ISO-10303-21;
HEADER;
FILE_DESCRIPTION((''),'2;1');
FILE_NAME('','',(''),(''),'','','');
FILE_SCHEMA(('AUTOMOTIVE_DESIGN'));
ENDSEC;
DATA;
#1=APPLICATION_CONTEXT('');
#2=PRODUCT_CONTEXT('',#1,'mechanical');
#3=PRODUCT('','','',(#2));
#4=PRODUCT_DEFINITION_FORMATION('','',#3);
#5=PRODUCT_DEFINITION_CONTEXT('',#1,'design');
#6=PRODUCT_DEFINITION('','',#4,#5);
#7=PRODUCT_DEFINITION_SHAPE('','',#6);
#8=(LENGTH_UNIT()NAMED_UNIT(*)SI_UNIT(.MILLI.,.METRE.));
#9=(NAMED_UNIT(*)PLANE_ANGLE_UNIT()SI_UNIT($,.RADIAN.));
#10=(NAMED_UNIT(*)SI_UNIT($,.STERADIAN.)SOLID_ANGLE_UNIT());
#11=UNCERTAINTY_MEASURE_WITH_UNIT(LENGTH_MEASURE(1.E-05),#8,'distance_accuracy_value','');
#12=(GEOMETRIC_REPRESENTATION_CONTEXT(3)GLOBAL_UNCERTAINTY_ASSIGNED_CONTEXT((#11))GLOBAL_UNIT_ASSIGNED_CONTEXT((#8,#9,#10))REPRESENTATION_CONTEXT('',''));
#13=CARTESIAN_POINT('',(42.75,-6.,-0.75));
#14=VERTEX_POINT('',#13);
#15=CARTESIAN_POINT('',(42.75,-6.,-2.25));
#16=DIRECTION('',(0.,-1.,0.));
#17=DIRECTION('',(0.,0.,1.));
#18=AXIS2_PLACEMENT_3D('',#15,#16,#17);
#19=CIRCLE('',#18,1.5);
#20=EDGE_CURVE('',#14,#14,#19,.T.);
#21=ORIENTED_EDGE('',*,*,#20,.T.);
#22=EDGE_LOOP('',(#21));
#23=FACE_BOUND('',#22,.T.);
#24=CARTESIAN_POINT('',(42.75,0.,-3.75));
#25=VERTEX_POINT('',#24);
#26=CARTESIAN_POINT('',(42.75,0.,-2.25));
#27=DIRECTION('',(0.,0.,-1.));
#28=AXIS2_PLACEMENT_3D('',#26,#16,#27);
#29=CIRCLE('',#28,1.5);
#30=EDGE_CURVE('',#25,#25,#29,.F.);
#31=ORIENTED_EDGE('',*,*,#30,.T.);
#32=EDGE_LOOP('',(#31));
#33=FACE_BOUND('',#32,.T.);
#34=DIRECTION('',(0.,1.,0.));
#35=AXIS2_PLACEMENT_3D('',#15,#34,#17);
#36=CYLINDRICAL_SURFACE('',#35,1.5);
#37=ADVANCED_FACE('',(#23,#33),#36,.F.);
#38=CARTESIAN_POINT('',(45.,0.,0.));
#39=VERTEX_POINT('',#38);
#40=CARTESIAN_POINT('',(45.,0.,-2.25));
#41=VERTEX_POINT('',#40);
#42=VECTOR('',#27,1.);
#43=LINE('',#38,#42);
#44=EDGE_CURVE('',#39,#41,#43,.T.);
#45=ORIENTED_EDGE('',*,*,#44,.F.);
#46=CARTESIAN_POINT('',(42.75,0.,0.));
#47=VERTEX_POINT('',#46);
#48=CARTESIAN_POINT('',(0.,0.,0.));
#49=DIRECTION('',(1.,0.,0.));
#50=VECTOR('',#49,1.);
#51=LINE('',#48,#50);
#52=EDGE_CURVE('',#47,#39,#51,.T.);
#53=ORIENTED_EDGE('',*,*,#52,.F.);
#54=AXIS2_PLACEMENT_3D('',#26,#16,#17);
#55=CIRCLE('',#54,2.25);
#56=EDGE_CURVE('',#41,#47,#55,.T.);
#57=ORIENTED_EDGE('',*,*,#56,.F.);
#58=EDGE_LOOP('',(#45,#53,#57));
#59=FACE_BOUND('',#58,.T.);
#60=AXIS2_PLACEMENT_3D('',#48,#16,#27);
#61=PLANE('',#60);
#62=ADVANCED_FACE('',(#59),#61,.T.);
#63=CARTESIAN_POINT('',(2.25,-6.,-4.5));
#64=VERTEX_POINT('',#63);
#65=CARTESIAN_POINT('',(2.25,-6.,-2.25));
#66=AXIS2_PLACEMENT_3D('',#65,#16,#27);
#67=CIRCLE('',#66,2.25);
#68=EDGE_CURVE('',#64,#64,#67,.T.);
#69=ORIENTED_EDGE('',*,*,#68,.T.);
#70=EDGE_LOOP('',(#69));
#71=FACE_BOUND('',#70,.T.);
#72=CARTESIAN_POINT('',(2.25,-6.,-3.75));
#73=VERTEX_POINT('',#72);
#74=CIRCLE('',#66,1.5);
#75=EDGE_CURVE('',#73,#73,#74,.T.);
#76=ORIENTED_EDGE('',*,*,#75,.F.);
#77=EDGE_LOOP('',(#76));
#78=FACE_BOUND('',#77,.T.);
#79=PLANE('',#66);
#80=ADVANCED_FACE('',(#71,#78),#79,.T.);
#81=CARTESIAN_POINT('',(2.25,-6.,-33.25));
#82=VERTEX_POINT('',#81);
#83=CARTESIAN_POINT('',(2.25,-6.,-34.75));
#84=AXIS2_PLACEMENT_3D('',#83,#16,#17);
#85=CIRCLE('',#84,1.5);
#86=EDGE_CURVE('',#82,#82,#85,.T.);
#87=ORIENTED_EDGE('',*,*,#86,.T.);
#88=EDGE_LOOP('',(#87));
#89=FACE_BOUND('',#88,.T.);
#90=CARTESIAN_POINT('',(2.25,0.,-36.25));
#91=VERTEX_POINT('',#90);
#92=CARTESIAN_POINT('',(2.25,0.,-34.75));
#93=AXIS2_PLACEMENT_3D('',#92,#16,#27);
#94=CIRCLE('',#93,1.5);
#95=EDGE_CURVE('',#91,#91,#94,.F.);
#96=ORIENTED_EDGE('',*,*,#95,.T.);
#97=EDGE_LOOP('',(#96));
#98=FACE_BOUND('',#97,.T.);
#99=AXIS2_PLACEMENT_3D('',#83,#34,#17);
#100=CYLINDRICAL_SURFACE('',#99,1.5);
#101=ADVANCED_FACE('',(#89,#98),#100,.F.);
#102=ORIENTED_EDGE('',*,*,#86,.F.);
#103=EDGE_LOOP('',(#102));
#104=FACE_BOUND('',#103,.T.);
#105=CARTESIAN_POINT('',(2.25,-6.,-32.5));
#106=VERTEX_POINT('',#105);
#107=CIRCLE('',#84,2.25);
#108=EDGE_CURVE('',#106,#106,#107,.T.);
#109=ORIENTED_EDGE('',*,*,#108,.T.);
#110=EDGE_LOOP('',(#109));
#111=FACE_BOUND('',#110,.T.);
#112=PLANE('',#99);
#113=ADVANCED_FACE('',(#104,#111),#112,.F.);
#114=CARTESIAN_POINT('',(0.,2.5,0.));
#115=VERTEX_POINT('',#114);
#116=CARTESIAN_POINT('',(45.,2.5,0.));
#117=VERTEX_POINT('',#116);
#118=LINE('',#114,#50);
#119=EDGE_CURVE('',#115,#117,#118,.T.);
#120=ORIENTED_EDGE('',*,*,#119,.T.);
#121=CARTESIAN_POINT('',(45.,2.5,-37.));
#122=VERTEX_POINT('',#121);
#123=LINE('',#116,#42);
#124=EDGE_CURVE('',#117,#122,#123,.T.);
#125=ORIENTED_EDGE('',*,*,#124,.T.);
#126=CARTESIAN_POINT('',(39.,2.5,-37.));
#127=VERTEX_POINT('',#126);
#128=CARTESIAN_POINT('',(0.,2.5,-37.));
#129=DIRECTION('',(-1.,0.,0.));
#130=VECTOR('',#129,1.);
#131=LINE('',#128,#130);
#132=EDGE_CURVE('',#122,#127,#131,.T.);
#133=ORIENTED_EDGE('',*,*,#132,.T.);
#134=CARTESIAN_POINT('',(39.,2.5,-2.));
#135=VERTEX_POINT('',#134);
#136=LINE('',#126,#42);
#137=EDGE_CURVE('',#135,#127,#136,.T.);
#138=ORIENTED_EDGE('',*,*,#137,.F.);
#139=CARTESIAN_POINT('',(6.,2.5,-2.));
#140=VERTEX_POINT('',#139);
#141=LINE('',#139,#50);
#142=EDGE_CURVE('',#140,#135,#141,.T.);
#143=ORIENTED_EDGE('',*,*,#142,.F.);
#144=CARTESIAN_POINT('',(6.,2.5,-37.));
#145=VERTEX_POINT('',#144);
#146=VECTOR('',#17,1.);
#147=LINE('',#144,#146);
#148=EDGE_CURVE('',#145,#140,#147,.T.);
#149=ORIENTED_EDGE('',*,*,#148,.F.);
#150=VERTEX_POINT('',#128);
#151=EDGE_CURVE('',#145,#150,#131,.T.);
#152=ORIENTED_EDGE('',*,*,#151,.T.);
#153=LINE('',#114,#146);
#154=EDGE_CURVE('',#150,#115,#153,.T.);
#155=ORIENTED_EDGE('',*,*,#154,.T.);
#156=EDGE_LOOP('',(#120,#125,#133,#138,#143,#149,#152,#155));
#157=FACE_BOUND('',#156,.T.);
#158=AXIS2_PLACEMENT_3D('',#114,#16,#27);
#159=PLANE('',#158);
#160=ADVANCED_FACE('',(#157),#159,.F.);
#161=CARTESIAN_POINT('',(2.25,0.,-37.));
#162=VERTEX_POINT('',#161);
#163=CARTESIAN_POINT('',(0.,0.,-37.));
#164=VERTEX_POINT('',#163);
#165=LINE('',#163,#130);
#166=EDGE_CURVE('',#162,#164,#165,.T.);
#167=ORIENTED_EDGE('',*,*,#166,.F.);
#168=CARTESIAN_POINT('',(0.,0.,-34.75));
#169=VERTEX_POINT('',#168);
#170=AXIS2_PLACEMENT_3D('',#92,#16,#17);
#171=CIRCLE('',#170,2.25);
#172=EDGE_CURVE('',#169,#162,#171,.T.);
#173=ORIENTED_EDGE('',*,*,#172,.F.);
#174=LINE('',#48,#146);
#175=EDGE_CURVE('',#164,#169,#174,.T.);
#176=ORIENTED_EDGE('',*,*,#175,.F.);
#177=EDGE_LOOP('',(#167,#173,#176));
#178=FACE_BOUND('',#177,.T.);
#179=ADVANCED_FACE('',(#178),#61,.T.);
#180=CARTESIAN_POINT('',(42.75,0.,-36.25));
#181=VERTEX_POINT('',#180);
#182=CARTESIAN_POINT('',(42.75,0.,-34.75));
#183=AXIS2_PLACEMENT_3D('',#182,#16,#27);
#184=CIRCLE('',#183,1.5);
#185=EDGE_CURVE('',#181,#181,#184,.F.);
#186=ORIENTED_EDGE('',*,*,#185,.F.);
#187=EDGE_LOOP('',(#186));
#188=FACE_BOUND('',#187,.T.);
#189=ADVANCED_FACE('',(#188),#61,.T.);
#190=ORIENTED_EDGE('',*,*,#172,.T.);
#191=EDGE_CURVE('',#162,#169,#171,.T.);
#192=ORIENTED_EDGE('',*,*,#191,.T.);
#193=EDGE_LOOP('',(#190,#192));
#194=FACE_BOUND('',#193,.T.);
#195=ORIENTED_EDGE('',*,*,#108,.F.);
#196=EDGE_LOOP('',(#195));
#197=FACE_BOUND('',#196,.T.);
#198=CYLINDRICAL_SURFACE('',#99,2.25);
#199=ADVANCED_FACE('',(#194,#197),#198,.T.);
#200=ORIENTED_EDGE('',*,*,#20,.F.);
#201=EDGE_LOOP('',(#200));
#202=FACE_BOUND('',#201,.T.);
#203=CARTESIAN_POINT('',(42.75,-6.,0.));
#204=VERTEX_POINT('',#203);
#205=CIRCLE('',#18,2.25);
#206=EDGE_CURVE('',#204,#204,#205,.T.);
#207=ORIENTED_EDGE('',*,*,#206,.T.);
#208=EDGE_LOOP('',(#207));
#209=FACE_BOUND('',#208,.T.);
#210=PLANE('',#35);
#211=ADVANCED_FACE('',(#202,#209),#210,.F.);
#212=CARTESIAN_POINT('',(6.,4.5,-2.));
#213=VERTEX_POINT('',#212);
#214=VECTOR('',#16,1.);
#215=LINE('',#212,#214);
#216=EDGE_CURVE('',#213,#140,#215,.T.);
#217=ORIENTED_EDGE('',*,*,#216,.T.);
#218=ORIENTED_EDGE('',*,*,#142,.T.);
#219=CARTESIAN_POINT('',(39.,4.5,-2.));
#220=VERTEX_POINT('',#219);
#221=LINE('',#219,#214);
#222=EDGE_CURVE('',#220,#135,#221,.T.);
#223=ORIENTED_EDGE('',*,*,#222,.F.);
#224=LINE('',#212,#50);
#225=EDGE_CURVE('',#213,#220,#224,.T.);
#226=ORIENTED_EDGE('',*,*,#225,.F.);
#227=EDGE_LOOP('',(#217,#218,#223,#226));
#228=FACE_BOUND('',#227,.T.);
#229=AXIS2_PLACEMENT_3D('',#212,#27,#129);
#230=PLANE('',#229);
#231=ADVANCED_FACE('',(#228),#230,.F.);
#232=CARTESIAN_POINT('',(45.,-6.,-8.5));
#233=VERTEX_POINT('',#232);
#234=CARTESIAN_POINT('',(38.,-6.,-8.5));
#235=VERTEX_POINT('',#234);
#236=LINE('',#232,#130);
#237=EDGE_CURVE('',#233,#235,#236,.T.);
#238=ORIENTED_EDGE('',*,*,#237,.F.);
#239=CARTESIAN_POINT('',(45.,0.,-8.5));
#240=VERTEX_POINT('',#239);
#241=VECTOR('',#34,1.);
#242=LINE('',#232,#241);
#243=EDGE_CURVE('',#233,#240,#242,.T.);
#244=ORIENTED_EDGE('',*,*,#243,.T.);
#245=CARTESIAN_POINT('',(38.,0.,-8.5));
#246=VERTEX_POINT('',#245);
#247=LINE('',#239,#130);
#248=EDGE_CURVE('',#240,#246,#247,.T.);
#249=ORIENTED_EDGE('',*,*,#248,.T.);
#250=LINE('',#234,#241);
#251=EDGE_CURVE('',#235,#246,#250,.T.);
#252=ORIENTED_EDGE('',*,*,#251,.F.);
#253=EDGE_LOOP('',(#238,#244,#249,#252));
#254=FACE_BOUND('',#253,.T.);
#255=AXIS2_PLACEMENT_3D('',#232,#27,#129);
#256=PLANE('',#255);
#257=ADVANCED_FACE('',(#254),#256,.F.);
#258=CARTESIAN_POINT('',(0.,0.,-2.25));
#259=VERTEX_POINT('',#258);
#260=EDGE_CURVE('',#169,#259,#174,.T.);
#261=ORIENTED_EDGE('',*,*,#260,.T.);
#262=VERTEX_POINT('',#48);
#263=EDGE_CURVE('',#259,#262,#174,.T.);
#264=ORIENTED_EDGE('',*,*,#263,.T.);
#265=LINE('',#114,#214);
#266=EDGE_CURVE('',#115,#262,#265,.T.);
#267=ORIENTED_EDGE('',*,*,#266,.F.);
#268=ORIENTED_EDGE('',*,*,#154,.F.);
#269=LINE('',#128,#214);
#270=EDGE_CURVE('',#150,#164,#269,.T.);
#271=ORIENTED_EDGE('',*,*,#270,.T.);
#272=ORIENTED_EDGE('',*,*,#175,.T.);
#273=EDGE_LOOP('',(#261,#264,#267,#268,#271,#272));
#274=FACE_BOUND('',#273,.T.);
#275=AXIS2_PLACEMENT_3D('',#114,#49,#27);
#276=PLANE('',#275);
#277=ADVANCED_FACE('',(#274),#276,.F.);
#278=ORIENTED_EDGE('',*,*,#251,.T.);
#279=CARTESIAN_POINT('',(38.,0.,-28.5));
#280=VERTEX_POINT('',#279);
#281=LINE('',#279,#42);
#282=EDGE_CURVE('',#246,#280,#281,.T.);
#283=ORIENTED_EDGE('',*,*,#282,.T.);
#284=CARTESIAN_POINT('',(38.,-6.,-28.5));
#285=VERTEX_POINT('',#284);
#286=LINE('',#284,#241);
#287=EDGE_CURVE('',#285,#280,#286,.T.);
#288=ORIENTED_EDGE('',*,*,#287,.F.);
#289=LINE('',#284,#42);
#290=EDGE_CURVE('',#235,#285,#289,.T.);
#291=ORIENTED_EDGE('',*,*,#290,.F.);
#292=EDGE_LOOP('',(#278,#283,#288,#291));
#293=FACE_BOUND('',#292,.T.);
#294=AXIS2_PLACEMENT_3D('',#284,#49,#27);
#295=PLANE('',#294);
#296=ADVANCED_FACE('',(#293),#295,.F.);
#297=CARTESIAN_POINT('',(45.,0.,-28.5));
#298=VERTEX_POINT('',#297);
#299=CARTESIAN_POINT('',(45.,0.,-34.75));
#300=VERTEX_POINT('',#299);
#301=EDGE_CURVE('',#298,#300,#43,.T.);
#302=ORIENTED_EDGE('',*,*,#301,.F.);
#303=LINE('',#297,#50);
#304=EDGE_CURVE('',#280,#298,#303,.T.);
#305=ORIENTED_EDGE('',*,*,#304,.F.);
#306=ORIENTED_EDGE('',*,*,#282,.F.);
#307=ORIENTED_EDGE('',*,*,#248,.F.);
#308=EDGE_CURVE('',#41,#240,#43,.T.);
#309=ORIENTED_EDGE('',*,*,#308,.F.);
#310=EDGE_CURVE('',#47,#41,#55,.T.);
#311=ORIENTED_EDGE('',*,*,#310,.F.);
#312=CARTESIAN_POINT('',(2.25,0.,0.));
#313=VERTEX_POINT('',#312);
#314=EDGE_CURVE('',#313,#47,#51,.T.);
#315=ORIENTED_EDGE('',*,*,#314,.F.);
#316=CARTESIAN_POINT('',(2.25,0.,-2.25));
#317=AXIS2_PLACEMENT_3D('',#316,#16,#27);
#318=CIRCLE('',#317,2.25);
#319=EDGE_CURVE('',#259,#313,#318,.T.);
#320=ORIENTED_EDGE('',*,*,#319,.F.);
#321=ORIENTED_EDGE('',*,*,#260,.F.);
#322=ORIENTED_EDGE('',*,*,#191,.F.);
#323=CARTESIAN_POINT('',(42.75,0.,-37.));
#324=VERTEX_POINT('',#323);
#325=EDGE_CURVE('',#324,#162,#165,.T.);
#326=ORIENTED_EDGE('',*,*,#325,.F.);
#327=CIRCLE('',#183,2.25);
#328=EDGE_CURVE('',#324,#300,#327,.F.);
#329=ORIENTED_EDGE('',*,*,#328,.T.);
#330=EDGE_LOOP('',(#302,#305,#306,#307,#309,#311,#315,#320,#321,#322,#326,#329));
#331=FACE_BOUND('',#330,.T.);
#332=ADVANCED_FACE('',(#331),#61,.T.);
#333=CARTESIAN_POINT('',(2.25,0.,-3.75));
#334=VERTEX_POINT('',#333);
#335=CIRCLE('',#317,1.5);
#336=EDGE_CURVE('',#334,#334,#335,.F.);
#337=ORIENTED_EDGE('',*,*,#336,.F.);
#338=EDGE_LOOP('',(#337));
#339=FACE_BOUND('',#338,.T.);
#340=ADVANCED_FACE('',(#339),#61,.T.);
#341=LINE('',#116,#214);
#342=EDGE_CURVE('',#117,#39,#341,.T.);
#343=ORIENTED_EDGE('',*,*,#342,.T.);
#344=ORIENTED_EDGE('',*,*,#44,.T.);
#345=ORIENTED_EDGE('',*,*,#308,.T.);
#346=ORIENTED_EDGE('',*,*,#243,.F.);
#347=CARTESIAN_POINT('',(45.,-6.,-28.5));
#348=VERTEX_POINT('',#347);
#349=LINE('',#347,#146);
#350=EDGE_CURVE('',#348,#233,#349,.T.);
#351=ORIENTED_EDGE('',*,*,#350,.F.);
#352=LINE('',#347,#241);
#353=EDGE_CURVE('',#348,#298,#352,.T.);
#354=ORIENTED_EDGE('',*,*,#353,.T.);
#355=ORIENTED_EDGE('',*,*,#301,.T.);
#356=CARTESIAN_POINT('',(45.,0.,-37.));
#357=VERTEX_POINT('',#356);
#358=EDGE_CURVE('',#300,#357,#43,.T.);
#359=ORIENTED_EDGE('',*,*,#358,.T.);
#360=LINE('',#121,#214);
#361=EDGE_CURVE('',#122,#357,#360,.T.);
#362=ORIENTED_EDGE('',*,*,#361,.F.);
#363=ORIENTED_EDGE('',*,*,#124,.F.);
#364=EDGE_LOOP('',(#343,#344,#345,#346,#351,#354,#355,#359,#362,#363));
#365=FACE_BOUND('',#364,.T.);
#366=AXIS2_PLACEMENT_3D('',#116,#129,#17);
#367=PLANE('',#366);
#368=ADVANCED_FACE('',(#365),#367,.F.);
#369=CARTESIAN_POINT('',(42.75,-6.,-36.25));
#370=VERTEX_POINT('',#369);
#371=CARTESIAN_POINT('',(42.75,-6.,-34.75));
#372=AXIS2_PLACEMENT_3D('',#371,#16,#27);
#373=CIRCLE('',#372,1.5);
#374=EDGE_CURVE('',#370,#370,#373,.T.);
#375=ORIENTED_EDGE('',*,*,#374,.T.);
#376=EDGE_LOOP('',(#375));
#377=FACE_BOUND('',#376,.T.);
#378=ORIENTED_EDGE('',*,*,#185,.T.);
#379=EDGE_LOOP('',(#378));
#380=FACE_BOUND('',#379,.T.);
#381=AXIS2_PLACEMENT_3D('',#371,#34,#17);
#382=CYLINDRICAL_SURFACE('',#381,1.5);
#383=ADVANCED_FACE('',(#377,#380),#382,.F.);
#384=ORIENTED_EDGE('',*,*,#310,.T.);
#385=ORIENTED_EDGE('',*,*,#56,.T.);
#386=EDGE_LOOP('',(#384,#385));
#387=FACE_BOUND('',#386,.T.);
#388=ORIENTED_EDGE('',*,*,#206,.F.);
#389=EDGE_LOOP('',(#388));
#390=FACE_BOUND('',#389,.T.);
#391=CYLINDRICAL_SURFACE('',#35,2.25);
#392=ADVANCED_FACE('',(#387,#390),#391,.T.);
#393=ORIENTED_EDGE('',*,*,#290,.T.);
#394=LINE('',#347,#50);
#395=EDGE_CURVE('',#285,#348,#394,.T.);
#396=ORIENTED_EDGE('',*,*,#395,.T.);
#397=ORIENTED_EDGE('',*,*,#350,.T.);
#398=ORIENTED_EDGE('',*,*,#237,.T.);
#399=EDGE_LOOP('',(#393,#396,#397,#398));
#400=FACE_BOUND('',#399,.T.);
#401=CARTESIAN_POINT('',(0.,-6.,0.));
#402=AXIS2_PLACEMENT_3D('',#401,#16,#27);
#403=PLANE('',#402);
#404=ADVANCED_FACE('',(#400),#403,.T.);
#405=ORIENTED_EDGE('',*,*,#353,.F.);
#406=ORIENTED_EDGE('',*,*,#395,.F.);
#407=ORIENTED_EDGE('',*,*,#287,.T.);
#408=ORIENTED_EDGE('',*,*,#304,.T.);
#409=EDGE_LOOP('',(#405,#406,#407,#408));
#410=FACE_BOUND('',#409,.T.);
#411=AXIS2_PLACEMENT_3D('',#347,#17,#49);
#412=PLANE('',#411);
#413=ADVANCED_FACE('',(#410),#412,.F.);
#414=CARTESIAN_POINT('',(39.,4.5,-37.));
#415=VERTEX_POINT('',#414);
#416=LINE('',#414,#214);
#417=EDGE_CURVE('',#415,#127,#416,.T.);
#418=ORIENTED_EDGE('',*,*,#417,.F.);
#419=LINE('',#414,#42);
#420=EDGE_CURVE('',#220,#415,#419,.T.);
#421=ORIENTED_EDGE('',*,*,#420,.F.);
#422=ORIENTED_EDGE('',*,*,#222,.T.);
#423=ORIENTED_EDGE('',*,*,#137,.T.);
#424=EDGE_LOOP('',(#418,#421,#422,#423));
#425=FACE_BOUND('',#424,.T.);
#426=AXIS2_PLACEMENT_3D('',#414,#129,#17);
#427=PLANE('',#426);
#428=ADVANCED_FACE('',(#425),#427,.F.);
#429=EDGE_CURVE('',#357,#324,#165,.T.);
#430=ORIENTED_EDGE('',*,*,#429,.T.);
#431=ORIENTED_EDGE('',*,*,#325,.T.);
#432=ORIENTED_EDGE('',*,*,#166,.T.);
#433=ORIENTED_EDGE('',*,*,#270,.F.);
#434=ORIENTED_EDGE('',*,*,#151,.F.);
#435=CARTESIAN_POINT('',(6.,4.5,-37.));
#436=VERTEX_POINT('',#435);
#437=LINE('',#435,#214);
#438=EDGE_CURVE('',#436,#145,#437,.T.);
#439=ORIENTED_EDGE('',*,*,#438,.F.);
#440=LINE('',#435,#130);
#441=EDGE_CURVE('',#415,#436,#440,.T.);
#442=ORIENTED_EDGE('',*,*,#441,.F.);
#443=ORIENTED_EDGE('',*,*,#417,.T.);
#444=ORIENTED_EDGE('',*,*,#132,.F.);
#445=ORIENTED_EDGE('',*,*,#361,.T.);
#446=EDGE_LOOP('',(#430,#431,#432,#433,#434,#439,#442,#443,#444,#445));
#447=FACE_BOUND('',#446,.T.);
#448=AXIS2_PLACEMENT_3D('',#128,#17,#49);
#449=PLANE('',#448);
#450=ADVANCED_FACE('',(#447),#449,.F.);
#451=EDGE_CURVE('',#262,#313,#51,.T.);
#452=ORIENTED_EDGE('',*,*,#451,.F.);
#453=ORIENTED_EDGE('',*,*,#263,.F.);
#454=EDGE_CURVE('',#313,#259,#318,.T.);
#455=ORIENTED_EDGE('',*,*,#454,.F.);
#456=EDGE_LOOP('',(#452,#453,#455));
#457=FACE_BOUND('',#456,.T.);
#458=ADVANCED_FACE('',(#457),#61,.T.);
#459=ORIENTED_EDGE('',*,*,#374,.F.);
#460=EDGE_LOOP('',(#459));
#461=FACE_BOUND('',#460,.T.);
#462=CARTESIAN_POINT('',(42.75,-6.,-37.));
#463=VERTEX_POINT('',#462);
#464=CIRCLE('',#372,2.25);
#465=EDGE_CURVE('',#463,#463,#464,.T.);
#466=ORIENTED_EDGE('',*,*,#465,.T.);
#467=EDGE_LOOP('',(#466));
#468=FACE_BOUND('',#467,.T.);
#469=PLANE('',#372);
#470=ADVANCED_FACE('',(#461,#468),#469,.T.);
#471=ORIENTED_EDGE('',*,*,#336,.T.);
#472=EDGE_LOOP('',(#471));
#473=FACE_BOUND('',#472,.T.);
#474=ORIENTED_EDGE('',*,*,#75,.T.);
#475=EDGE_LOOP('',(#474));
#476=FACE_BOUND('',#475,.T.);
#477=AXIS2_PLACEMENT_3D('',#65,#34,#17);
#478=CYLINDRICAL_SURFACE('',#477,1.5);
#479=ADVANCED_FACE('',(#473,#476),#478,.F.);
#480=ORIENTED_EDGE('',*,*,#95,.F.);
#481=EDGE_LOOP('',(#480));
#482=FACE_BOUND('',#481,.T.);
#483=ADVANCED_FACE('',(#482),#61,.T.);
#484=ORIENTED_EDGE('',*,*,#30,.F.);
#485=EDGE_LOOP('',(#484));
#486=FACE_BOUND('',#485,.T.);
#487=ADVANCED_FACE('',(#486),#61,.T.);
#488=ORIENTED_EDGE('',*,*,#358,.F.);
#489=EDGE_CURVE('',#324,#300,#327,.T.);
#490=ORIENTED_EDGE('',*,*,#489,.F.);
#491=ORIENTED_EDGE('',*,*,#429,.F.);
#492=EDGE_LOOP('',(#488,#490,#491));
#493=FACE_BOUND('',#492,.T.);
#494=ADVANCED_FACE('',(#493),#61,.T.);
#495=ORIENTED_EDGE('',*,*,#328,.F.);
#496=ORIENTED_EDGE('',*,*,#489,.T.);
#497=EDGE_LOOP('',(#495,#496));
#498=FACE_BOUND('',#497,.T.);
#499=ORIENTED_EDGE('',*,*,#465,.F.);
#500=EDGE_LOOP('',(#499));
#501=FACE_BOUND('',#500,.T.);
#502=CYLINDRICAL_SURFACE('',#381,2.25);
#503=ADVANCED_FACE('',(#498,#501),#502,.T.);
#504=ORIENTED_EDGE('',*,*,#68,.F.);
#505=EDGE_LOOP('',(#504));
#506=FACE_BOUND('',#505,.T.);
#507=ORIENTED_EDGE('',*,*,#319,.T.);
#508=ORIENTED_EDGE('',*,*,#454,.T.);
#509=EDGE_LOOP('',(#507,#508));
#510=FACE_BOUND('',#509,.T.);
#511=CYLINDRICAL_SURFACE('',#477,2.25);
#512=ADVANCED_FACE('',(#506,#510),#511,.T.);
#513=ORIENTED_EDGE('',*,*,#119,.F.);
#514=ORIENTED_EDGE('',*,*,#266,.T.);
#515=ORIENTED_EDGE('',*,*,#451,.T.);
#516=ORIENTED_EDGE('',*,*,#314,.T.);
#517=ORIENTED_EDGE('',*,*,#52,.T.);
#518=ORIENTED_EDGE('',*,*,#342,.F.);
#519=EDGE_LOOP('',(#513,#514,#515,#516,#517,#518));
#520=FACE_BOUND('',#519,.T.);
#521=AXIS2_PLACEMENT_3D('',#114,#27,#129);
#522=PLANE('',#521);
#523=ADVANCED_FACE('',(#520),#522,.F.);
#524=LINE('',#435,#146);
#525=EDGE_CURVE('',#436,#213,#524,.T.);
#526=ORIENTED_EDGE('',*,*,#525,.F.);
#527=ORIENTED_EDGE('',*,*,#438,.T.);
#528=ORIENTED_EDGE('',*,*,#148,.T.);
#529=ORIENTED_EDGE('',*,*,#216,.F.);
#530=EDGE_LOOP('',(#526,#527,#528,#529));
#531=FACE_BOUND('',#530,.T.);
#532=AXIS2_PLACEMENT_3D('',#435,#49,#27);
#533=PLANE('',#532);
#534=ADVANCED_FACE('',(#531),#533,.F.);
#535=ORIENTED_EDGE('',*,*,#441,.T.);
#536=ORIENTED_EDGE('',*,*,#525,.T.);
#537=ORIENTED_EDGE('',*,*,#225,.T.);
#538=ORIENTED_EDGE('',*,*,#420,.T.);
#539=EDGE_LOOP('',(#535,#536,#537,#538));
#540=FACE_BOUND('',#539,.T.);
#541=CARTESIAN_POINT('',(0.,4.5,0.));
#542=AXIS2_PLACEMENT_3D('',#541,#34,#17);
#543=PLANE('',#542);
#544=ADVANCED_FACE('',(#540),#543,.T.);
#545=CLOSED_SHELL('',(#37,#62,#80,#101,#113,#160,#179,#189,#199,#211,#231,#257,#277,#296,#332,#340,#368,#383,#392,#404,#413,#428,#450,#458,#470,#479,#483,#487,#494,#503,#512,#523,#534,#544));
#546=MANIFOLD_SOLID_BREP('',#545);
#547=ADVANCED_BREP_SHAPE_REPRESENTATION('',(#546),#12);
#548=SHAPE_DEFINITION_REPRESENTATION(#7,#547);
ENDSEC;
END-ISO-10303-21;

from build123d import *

# Parameters (mm, degrees)
SKETCH_1_W      = 45
SKETCH_1_H      = 37
EXTRUDE_1_DEPTH = 2.5
SKETCH_2_W      = 33
SKETCH_2_H      = 35
EXTRUDE_2_DEPTH = 2
SKETCH_3_R      = 2.25
SKETCH_3_R_2    = 1.5
SKETCH_3_W      = 7
SKETCH_3_H      = 20
EXTRUDE_3_DEPTH = 6


with BuildPart() as part:
    # 草图1 → 凸台-拉伸1 (new body)
    with BuildSketch(Plane(origin=(0, 0, 0), x_dir=(1, 0, 0), z_dir=(0, 1, 0))):
        with Locations((22.5, 18.5)):
            Rectangle(SKETCH_1_W, SKETCH_1_H)
    extrude(amount=EXTRUDE_1_DEPTH)

    # 草图2 → 凸台-拉伸2 (add)
    with BuildSketch(Plane(origin=(0, 2.5, 0), x_dir=(1, 0, 0), z_dir=(0, 1, 0))):
        with Locations((22.5, 19.5)):
            Rectangle(SKETCH_2_W, SKETCH_2_H)
    extrude(amount=EXTRUDE_2_DEPTH)

    # 草图3 → 凸台-拉伸3 (add)
    # profile 1 of 5: a face of its own
    with BuildSketch(Plane.XZ):
        with Locations(Location((42.75, -34.75, 0), (0, 0, 270))):
            Circle(SKETCH_3_R)
        with Locations(Location((42.75, -34.75, 0), (0, 0, 270))):
            Circle(SKETCH_3_R_2, mode=Mode.SUBTRACT)
    # profile 2 of 5: a face of its own
    with BuildSketch(Plane.XZ):
        with Locations(Location((42.75, -2.25, 0), (0, 0, 90))):
            Circle(SKETCH_3_R)
        with Locations(Location((42.75, -2.25, 0), (0, 0, 90))):
            Circle(SKETCH_3_R_2, mode=Mode.SUBTRACT)
    # profile 3 of 5: a face of its own
    with BuildSketch(Plane.XZ):
        with Locations(Location((2.25, -2.25, 0), (0, 0, 90))):
            Circle(SKETCH_3_R)
        with Locations(Location((2.25, -2.25, 0), (0, 0, 270))):
            Circle(SKETCH_3_R_2, mode=Mode.SUBTRACT)
    # profile 4 of 5: a face of its own
    with BuildSketch(Plane.XZ):
        with Locations(Location((2.25, -34.75, 0), (0, 0, 90))):
            Circle(SKETCH_3_R)
        with Locations(Location((2.25, -34.75, 0), (0, 0, 90))):
            Circle(SKETCH_3_R_2, mode=Mode.SUBTRACT)
    # profile 5 of 5: a face of its own
    with BuildSketch(Plane.XZ):
        with Locations((41.5, -18.5)):
            Rectangle(SKETCH_3_W, SKETCH_3_H)
    extrude(amount=EXTRUDE_3_DEPTH)


solid = part.part
